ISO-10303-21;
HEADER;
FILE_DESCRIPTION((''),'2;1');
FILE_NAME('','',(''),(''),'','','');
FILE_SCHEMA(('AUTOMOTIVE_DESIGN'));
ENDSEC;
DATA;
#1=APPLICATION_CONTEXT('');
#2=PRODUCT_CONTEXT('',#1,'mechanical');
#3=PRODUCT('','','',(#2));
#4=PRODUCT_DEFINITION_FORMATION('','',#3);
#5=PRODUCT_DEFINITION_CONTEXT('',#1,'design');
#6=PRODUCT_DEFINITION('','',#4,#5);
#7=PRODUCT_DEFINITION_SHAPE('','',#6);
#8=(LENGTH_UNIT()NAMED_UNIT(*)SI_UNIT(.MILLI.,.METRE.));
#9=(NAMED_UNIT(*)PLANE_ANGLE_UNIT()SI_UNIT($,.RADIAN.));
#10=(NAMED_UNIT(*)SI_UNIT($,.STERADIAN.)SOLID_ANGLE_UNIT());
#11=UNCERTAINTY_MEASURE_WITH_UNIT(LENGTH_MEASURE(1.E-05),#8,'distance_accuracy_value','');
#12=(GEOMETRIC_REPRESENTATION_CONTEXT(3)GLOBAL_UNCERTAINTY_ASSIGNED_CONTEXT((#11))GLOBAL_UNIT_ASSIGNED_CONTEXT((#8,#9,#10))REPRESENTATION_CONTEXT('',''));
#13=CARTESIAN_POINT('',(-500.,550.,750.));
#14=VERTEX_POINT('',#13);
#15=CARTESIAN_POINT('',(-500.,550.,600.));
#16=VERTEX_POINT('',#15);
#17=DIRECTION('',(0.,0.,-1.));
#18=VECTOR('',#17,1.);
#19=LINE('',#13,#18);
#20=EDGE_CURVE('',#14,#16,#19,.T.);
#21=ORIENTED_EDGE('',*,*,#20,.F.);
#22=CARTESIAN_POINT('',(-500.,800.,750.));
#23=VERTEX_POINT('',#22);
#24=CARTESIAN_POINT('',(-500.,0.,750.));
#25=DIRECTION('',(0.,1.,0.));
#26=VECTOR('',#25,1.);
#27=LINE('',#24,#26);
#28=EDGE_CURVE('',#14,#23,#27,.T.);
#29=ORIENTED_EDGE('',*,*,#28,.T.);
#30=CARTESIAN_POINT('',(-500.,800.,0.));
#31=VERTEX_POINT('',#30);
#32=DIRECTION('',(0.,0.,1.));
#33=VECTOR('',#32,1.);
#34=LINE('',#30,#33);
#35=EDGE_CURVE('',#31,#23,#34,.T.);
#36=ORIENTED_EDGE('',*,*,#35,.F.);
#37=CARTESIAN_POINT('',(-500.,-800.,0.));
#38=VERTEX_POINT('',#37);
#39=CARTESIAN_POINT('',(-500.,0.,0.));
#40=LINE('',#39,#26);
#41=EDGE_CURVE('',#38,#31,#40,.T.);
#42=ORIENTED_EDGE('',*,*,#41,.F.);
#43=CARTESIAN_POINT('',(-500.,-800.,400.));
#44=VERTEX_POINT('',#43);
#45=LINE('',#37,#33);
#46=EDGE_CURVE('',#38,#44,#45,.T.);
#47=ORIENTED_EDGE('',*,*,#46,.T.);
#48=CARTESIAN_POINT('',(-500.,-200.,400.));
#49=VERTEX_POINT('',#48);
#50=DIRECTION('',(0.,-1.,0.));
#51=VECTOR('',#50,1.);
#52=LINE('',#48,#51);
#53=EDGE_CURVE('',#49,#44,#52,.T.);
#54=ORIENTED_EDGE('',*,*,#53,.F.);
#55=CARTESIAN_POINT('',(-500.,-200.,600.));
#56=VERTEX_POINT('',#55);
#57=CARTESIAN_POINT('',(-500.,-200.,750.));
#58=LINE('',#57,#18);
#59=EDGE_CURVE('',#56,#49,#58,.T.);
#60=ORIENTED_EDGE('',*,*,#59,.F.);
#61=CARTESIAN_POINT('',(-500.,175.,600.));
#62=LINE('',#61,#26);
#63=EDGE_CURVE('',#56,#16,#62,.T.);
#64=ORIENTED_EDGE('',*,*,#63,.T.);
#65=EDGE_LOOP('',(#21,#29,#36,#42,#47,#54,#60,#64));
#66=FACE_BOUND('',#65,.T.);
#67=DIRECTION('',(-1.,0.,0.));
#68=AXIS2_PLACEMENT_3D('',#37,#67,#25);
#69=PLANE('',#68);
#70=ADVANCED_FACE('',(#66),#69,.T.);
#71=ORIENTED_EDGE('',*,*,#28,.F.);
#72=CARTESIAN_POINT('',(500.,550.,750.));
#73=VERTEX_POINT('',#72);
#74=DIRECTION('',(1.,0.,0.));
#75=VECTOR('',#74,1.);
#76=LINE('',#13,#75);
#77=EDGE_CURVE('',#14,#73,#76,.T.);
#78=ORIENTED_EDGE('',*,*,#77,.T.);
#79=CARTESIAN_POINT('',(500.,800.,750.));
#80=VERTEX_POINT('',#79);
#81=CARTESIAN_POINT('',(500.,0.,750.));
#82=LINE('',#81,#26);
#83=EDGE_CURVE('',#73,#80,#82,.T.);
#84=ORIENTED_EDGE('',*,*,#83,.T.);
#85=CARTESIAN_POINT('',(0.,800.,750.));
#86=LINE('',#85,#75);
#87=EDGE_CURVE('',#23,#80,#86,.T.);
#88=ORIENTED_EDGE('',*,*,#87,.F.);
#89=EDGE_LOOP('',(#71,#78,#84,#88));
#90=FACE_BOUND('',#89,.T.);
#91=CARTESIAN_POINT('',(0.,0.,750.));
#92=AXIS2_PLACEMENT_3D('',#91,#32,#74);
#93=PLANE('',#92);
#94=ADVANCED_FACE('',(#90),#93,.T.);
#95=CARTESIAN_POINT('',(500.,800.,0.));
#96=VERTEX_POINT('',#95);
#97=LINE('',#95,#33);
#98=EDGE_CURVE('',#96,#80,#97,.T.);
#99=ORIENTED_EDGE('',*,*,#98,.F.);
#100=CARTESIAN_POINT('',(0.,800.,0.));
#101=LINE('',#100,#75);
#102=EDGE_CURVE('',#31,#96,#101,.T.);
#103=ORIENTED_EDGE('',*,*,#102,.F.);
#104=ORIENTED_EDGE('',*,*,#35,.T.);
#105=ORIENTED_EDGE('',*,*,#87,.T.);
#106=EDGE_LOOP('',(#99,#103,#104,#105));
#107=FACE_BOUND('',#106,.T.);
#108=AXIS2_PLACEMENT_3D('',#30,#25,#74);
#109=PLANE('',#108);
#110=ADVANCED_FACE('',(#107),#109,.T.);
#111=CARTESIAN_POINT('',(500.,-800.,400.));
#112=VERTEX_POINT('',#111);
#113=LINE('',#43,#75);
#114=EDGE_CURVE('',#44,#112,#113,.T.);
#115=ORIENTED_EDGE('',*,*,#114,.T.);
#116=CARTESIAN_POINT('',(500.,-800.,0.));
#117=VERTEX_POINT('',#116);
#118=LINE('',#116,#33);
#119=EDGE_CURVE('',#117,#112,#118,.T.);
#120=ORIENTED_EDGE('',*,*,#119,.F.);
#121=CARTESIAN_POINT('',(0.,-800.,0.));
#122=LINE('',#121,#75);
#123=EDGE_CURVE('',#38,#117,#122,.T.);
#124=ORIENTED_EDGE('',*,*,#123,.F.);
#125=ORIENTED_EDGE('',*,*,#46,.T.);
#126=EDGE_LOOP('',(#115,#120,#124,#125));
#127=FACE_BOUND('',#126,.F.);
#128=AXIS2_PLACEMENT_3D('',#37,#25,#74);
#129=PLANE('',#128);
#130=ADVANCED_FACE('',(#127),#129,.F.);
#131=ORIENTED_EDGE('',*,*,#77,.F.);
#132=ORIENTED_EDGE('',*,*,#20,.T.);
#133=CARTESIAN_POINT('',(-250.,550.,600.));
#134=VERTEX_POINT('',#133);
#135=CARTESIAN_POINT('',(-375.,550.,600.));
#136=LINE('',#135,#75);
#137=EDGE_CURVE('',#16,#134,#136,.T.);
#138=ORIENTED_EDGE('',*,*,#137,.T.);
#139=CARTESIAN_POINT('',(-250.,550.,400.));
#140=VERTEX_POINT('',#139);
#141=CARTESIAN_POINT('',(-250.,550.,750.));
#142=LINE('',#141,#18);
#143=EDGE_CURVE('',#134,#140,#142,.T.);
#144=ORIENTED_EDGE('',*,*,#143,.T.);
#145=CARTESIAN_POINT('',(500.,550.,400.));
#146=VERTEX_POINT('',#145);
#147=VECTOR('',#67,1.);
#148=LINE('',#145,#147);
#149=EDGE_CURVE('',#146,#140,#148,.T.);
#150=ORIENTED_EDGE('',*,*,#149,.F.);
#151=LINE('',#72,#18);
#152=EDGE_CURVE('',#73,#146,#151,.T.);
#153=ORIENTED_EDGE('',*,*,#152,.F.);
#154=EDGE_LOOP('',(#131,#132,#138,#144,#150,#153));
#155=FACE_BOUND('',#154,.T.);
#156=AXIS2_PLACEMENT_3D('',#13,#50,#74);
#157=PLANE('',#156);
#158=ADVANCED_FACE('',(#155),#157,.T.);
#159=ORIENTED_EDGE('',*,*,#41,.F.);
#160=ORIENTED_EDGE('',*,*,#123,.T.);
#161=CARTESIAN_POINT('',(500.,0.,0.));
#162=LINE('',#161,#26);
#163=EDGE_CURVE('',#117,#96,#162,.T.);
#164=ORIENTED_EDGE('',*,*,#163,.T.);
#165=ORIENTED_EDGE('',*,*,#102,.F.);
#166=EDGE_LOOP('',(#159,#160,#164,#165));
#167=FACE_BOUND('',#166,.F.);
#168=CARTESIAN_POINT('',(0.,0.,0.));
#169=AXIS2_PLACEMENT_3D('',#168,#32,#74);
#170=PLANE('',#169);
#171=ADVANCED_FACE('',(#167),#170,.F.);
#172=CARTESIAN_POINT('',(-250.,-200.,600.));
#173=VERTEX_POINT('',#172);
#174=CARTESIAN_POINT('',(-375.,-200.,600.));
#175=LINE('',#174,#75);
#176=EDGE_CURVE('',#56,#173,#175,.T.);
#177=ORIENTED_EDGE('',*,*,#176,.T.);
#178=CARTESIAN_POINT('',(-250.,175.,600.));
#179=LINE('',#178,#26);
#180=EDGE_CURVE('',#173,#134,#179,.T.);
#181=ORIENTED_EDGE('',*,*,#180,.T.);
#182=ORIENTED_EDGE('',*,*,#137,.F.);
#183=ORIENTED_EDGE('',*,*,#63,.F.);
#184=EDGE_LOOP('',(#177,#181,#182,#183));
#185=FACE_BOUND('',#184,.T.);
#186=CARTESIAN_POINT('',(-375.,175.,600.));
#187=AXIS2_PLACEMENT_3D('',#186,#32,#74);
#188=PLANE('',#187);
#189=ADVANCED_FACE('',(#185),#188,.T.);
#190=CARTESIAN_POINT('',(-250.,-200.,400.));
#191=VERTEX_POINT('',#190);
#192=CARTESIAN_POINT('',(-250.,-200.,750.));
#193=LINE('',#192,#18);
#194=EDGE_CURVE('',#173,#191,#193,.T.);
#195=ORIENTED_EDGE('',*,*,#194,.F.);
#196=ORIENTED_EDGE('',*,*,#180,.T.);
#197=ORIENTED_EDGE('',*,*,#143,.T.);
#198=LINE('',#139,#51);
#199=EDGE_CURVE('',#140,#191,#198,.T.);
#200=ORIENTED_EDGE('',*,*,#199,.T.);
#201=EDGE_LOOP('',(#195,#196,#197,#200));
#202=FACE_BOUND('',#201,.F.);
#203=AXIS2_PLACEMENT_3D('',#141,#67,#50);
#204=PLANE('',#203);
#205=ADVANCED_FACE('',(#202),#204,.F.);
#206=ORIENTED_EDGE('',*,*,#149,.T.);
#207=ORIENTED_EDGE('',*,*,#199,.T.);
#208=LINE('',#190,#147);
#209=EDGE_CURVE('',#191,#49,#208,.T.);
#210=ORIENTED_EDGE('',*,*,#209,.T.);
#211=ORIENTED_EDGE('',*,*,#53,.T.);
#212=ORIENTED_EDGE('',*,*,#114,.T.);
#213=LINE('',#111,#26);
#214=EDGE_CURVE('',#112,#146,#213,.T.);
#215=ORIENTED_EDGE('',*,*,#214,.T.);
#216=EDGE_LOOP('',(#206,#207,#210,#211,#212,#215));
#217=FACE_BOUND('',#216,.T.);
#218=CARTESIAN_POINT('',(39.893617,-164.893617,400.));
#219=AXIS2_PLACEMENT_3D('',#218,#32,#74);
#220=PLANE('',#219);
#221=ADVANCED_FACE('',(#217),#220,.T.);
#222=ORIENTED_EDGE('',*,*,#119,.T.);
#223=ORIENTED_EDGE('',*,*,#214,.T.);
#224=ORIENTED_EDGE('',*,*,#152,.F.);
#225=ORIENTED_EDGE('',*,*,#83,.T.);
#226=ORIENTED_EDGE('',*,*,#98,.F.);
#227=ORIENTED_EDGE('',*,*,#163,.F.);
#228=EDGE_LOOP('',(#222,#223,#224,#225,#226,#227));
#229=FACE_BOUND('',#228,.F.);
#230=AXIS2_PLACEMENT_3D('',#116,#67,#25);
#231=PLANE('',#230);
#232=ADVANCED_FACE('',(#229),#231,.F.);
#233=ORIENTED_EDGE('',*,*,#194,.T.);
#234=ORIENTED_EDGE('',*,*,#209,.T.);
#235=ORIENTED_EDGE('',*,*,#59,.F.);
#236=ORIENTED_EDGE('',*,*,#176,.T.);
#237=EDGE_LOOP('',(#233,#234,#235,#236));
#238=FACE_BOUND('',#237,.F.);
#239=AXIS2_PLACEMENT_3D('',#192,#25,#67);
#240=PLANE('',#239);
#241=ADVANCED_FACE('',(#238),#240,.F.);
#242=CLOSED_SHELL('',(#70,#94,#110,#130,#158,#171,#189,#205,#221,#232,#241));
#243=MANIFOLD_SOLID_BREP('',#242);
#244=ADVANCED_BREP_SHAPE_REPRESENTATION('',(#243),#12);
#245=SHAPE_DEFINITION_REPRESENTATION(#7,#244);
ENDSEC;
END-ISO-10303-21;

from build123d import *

# Parameters (mm, degrees)
F0_W     = 1000
F0_H     = 1600
F1_DEPTH = 750
F3_DEPTH = 350
F4_W     = 250
F4_H     = 750
F5_DEPTH = 150


with BuildPart() as f1:
    # F0 (on Top) → F1 (new body)
    with BuildSketch(Plane.XY):
        Rectangle(F0_W, F0_H)
    extrude(amount=F1_DEPTH)

    # F2 (on face) → F3 (cut)
    with BuildSketch(Plane.XY.offset(750)):
        Polygon((-250, -200), (-500, -200), (-500, -800), (500, -800), (500, 550), (-250, 550), align=None)
    extrude(amount=-F3_DEPTH, mode=Mode.SUBTRACT)

    # F4 (on face) → F5 (cut)
    with BuildSketch(Plane.XY.offset(750)):
        with Locations((-375, 175)):
            Rectangle(F4_W, F4_H)
    extrude(amount=-F5_DEPTH, mode=Mode.SUBTRACT)


solid = f1.part
